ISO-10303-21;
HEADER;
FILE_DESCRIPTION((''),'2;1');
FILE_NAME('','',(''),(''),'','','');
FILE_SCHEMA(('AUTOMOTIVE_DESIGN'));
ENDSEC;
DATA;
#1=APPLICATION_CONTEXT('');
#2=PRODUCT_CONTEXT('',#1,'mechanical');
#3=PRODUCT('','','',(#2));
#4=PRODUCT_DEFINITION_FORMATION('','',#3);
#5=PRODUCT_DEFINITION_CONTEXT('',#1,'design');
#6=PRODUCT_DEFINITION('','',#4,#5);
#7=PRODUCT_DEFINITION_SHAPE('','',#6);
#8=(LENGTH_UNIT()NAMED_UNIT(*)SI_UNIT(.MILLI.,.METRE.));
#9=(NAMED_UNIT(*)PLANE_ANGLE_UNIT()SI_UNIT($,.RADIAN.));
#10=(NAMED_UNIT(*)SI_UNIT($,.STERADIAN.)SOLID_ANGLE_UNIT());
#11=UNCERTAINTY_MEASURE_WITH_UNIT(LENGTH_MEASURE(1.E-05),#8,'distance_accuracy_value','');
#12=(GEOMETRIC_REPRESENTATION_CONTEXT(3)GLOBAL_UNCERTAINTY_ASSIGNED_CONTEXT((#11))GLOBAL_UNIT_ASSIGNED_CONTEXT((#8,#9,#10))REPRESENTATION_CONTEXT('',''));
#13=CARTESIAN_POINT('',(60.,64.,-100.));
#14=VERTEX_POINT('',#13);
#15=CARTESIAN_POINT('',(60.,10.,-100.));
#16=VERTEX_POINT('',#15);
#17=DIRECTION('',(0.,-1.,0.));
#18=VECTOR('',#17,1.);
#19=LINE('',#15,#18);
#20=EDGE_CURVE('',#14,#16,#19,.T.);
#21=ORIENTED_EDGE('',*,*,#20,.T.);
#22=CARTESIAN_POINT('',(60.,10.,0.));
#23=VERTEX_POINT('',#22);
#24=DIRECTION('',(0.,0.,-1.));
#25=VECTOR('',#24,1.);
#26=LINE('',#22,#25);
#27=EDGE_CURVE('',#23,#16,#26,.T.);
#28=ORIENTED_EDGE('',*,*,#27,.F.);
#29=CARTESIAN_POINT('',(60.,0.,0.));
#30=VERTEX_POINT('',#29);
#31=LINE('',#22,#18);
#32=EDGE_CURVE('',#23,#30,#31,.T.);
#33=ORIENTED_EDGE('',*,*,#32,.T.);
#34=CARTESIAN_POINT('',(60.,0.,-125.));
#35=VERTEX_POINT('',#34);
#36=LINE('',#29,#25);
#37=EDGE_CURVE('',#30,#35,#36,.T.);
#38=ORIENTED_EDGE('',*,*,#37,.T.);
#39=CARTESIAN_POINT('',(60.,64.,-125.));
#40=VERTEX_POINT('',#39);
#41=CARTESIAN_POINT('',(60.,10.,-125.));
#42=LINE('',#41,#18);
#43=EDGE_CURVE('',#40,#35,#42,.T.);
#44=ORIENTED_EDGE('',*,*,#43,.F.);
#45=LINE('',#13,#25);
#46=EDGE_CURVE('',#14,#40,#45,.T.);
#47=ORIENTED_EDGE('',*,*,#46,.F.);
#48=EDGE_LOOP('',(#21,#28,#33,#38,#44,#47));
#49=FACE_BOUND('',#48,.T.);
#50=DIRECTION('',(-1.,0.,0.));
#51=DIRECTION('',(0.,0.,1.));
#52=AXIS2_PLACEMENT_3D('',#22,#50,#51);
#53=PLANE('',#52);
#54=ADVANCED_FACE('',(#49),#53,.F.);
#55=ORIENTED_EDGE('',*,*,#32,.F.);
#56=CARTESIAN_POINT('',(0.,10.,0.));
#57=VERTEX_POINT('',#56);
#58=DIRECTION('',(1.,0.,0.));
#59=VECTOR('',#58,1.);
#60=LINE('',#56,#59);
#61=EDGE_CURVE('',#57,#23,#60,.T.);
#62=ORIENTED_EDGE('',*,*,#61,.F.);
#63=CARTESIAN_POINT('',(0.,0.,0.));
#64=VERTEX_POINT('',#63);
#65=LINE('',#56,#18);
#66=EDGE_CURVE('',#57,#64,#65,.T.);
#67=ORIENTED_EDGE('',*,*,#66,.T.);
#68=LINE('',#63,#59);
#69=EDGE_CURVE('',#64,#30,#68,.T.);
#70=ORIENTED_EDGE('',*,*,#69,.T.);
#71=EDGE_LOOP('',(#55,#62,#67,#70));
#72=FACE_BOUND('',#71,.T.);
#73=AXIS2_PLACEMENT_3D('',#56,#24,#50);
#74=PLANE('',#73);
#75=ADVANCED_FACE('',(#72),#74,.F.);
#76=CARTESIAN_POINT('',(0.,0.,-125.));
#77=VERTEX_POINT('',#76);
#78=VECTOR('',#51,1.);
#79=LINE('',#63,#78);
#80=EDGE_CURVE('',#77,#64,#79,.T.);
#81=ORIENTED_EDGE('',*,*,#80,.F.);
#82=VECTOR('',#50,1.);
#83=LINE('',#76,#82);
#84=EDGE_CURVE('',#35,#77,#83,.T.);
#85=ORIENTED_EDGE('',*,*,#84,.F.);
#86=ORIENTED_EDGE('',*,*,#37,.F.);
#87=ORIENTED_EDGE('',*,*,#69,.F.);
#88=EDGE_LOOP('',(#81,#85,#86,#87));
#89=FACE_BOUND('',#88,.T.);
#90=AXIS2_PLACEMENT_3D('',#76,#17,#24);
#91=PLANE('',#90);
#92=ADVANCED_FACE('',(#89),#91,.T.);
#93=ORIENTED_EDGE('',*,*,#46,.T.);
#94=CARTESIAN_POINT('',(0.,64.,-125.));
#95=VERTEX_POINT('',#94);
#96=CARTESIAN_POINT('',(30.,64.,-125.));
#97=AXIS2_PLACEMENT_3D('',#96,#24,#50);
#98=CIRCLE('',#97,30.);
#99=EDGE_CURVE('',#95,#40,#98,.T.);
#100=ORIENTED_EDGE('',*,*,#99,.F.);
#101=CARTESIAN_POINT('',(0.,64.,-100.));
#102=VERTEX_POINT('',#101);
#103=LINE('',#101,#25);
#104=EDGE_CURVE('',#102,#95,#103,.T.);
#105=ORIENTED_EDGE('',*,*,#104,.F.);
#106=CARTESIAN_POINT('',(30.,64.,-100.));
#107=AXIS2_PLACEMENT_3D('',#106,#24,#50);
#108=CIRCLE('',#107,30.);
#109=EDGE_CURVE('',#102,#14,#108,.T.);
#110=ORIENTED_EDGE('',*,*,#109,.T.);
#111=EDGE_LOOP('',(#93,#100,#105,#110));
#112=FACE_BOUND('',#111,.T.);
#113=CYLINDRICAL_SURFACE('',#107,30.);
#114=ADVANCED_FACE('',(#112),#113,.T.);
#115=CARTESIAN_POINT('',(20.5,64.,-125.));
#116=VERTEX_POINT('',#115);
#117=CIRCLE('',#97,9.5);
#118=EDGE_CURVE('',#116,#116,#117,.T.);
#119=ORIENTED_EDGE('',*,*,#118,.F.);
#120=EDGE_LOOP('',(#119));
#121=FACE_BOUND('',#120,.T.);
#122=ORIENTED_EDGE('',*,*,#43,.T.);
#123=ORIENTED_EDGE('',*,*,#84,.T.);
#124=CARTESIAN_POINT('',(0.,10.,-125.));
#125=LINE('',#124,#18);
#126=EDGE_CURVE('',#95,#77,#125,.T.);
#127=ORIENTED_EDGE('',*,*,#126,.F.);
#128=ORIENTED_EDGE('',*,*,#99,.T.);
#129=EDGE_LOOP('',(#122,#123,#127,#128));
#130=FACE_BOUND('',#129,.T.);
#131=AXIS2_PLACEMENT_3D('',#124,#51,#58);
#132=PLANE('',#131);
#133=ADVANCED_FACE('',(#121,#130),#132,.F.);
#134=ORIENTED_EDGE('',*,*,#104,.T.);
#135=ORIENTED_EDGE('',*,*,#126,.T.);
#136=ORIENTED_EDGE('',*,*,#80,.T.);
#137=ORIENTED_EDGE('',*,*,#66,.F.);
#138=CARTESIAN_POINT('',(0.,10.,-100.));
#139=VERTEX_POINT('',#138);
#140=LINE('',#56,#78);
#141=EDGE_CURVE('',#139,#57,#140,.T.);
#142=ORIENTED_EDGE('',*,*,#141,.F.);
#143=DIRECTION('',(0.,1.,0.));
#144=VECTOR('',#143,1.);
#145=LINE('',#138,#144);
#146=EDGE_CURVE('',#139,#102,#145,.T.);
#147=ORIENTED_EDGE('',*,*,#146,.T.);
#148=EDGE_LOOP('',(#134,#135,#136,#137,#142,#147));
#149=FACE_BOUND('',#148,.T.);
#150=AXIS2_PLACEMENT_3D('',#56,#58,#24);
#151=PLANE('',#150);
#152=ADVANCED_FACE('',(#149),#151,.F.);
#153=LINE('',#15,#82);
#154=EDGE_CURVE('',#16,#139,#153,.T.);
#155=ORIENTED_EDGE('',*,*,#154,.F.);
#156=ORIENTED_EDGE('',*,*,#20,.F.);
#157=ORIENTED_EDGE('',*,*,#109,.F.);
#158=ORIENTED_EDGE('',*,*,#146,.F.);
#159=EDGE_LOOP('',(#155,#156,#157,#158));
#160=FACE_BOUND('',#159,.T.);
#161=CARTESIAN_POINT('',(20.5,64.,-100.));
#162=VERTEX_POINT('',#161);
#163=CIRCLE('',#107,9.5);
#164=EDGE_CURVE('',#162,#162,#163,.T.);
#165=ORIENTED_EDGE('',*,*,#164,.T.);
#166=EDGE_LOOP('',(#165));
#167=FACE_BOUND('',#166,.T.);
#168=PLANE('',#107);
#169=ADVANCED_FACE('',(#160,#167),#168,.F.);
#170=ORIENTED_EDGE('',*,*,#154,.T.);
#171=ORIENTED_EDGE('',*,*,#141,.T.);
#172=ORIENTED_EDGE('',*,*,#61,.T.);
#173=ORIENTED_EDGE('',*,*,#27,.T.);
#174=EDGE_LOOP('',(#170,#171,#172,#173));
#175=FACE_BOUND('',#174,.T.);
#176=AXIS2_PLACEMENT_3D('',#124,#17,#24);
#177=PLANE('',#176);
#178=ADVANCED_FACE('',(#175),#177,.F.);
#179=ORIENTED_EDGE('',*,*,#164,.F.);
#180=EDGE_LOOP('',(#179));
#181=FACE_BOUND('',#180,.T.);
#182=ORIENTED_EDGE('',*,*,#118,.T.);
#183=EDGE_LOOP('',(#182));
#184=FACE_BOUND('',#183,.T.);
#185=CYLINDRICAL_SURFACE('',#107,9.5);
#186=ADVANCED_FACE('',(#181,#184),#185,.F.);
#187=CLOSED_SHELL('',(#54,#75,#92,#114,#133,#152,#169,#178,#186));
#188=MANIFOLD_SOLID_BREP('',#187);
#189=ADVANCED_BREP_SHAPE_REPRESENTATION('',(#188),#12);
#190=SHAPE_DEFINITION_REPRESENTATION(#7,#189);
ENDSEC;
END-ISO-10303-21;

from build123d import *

# Parameters (mm, degrees)
SKETCH1_W           = 60
SKETCH1_H           = 125
BOSS_EXTRUDE1_DEPTH = 10
SKETCH2_R           = 9.5
BOSS_EXTRUDE2_DEPTH = 25


with BuildPart() as part:
    # Sketch1 → Boss-Extrude1 (new body)
    with BuildSketch(Plane(origin=(0, 0, 0), x_dir=(1, 0, 0), z_dir=(0, 1, 0))):
        with Locations((30, 62.5)):
            Rectangle(SKETCH1_W, SKETCH1_H)
    extrude(amount=BOSS_EXTRUDE1_DEPTH)

    # Sketch2 → Boss-Extrude2 (add)
    with BuildSketch(Plane(origin=(0, 0, -125), x_dir=(-1, 0, 0), z_dir=(0, 0, -1))):
        with BuildLine():
            Line((-60, 10), (0, 10))
            Line((0, 10), (0, 64))
            ThreePointArc((0, 64), (-30, 94), (-60, 64))
            Line((-60, 64), (-60, 10))
        make_face()
        with Locations((-30, 64)):
            Circle(SKETCH2_R, mode=Mode.SUBTRACT)
    extrude(amount=-BOSS_EXTRUDE2_DEPTH)


solid = part.part
